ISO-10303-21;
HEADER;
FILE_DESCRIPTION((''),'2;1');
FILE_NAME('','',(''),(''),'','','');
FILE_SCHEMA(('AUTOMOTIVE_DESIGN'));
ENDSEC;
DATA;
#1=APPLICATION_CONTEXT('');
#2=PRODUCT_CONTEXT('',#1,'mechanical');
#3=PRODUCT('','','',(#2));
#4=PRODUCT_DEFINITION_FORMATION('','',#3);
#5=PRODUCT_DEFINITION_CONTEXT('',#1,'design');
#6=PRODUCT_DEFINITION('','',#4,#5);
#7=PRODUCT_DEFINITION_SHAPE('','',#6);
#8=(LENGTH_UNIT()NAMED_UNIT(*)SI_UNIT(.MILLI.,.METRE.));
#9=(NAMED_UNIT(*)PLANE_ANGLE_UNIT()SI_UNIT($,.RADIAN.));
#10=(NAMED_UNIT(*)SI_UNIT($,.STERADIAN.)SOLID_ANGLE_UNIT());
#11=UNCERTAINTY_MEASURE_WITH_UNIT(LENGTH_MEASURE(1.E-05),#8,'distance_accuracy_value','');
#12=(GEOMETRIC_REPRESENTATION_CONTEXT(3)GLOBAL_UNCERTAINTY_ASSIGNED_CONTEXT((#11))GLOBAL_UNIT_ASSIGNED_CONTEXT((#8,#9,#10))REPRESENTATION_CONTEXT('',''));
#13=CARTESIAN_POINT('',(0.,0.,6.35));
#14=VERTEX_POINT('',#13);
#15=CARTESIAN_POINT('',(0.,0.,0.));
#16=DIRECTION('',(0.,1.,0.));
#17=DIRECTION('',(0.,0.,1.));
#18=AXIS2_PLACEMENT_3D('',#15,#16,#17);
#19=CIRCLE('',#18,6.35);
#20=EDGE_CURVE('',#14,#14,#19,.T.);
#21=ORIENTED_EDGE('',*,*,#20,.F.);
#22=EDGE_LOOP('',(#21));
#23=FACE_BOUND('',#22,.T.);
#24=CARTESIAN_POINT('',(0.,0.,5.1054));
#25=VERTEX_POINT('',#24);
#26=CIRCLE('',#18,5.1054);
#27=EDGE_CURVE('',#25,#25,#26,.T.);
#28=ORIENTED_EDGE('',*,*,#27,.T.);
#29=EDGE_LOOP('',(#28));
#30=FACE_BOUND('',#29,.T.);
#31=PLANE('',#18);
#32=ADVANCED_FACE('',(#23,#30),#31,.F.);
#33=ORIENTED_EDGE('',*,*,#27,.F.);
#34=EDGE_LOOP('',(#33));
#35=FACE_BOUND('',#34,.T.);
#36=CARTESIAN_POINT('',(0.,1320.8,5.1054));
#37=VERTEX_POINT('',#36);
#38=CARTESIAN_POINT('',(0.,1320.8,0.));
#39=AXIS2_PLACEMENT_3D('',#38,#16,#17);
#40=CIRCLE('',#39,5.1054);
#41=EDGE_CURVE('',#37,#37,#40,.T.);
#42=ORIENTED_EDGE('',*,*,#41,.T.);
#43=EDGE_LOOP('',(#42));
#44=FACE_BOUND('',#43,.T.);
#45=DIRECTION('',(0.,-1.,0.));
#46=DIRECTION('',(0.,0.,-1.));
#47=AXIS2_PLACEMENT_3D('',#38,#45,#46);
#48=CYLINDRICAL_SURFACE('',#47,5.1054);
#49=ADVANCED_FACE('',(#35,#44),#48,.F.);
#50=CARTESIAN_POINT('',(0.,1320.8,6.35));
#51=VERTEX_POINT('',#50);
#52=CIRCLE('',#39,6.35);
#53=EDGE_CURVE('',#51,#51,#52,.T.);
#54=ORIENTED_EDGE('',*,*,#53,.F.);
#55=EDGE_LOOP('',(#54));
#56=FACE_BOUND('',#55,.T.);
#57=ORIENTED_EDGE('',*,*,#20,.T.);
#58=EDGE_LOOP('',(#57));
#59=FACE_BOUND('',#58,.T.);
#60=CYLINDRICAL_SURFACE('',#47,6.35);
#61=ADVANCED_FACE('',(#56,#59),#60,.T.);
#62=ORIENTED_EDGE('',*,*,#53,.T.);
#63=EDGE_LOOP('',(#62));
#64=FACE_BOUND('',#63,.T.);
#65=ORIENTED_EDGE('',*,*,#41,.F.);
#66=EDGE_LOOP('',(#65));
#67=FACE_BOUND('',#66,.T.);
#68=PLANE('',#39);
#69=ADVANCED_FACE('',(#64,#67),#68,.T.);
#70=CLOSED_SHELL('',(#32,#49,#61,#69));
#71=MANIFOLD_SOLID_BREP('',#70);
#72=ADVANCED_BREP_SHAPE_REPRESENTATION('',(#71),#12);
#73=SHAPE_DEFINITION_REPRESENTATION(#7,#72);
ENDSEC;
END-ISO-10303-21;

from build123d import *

# Parameters (mm, degrees)
SKETCH1_R           = 6.35
SKETCH1_R_2         = 5.1054
BOSS_EXTRUDE1_DEPTH = 1320.8


with BuildPart() as part:
    # Sketch1 → Boss-Extrude1 (new body)
    with BuildSketch(Plane(origin=(0, 0, 0), x_dir=(1, 0, 0), z_dir=(0, 1, 0))):
        with Locations(Location((0, 0, 0), (0, 0, 270))):
            Circle(SKETCH1_R)
        with Locations(Location((0, 0, 0), (0, 0, 270))):
            Circle(SKETCH1_R_2, mode=Mode.SUBTRACT)
    extrude(amount=BOSS_EXTRUDE1_DEPTH)


solid = part.part
